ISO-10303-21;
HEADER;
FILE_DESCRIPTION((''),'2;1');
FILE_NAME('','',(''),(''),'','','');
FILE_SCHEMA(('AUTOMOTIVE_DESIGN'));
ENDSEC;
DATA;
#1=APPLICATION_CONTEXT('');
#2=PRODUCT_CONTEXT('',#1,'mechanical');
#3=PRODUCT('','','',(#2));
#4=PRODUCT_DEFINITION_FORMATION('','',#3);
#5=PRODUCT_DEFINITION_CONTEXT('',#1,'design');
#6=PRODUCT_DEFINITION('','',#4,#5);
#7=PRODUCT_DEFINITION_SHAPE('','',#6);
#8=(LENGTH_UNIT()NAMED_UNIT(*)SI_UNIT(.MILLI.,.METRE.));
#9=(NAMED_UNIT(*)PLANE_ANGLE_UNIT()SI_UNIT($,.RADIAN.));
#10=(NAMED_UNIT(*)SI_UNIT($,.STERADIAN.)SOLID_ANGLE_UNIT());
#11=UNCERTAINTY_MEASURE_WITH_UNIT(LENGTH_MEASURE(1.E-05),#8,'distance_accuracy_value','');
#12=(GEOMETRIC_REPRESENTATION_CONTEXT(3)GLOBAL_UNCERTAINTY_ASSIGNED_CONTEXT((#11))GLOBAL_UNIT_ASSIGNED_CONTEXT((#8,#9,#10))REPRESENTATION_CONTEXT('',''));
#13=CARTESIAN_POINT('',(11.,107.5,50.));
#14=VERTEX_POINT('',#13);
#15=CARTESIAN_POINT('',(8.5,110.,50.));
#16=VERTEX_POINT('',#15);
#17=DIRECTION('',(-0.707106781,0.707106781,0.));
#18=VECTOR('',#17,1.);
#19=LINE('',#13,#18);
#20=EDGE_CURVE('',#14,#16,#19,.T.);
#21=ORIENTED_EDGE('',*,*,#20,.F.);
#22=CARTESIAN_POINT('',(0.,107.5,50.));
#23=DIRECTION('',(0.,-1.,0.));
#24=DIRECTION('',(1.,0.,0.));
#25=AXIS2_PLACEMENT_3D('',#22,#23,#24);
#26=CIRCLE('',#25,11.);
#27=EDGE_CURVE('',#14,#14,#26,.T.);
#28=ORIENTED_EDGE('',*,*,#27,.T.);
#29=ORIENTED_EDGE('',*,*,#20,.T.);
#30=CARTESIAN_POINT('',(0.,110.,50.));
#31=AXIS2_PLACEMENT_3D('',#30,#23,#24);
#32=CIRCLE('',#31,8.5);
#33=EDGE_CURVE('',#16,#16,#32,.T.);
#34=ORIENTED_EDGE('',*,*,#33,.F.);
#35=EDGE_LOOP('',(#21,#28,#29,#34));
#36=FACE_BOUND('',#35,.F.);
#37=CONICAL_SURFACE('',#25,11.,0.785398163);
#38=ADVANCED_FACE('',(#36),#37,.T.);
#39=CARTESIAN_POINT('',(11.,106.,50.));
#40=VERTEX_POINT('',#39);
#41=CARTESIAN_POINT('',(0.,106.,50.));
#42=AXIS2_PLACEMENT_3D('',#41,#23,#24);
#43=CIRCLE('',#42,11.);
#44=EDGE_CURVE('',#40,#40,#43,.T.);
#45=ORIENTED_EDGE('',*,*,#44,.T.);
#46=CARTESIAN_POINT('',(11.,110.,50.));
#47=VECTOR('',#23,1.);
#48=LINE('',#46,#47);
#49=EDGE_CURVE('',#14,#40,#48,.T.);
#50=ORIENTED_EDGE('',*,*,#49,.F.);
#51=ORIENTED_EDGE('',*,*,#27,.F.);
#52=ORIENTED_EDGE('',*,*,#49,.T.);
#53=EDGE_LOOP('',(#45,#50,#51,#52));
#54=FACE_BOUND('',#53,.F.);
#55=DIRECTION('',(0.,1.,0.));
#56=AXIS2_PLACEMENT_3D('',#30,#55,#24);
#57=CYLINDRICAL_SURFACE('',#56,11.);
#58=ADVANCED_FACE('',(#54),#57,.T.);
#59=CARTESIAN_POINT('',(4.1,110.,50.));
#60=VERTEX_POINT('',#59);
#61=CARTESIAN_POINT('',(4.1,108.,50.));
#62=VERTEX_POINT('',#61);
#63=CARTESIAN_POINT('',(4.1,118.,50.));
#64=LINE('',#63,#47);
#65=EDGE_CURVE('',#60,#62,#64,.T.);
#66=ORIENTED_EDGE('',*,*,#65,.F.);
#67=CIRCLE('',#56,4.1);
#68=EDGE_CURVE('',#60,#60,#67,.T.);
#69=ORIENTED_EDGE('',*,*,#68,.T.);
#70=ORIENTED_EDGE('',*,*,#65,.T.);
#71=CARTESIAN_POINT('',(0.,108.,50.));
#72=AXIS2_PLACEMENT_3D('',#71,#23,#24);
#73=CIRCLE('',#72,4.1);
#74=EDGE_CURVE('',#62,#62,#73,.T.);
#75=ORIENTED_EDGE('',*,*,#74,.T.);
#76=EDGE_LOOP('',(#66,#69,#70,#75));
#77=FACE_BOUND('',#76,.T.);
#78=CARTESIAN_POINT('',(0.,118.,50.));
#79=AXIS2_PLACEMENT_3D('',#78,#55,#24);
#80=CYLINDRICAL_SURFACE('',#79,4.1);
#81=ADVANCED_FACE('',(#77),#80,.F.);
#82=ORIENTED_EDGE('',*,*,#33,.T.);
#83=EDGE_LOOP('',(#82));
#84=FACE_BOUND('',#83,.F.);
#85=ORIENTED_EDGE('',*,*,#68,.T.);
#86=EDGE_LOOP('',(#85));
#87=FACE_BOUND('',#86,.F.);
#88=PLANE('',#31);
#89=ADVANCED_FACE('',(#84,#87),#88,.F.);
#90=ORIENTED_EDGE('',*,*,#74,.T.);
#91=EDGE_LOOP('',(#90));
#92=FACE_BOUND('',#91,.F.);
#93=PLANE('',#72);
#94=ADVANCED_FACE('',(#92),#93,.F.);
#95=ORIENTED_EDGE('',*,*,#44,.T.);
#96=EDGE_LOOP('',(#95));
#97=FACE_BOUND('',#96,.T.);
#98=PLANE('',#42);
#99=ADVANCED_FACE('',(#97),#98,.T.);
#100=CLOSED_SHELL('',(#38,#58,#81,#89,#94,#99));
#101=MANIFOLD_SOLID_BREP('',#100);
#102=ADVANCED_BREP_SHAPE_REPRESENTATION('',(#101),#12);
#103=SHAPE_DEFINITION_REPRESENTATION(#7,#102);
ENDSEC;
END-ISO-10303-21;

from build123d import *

# Parameters (mm, degrees)
BOX256_W          = 40
BOX256_H          = 20
BOX256_DEPTH      = 40
CYLINDER656_R     = 4.1
CYLINDER656_DEPTH = 10
CYLINDER657_R     = 11
CYLINDER657_DEPTH = 4
CHAMFER061_SIZE   = 2.5


with BuildPart() as krychle256:
    # Box256 → Box256 (new body)
    with BuildSketch(Plane(origin=(-20, 110, 30), x_dir=(1, 0, 0), z_dir=(0, 0, 1))):
        with Locations((20, 10)):
            Rectangle(BOX256_W, BOX256_H)
    extrude(amount=BOX256_DEPTH)


with BuildPart() as v_lec656:
    # Cylinder656 → Cylinder656 (new body)
    with BuildSketch(Plane(origin=(0, 118, 50), x_dir=(1, 0, 0), z_dir=(0, -1, 0))):
        Circle(CYLINDER656_R)
    extrude(amount=CYLINDER656_DEPTH)


with BuildPart() as chamfer061:
    # Cylinder657 → Cylinder657 (new body)
    with BuildSketch(Plane(origin=(0, 110, 50), x_dir=(1, 0, 0), z_dir=(0, -1, 0))):
        Circle(CYLINDER657_R)
    extrude(amount=CYLINDER657_DEPTH)

    # Cut265: cut Válec656
    add(v_lec656.part, mode=Mode.SUBTRACT)

    # Cut552: cut Krychle256
    add(krychle256.part, mode=Mode.SUBTRACT)

    # Chamfer061
    chamfer061_edges = [chamfer061.edges().sort_by_distance(p)[0] for p in [
        (-11, 110, 50),
    ]]
    chamfer(chamfer061_edges, length=CHAMFER061_SIZE)


solid = chamfer061.part
